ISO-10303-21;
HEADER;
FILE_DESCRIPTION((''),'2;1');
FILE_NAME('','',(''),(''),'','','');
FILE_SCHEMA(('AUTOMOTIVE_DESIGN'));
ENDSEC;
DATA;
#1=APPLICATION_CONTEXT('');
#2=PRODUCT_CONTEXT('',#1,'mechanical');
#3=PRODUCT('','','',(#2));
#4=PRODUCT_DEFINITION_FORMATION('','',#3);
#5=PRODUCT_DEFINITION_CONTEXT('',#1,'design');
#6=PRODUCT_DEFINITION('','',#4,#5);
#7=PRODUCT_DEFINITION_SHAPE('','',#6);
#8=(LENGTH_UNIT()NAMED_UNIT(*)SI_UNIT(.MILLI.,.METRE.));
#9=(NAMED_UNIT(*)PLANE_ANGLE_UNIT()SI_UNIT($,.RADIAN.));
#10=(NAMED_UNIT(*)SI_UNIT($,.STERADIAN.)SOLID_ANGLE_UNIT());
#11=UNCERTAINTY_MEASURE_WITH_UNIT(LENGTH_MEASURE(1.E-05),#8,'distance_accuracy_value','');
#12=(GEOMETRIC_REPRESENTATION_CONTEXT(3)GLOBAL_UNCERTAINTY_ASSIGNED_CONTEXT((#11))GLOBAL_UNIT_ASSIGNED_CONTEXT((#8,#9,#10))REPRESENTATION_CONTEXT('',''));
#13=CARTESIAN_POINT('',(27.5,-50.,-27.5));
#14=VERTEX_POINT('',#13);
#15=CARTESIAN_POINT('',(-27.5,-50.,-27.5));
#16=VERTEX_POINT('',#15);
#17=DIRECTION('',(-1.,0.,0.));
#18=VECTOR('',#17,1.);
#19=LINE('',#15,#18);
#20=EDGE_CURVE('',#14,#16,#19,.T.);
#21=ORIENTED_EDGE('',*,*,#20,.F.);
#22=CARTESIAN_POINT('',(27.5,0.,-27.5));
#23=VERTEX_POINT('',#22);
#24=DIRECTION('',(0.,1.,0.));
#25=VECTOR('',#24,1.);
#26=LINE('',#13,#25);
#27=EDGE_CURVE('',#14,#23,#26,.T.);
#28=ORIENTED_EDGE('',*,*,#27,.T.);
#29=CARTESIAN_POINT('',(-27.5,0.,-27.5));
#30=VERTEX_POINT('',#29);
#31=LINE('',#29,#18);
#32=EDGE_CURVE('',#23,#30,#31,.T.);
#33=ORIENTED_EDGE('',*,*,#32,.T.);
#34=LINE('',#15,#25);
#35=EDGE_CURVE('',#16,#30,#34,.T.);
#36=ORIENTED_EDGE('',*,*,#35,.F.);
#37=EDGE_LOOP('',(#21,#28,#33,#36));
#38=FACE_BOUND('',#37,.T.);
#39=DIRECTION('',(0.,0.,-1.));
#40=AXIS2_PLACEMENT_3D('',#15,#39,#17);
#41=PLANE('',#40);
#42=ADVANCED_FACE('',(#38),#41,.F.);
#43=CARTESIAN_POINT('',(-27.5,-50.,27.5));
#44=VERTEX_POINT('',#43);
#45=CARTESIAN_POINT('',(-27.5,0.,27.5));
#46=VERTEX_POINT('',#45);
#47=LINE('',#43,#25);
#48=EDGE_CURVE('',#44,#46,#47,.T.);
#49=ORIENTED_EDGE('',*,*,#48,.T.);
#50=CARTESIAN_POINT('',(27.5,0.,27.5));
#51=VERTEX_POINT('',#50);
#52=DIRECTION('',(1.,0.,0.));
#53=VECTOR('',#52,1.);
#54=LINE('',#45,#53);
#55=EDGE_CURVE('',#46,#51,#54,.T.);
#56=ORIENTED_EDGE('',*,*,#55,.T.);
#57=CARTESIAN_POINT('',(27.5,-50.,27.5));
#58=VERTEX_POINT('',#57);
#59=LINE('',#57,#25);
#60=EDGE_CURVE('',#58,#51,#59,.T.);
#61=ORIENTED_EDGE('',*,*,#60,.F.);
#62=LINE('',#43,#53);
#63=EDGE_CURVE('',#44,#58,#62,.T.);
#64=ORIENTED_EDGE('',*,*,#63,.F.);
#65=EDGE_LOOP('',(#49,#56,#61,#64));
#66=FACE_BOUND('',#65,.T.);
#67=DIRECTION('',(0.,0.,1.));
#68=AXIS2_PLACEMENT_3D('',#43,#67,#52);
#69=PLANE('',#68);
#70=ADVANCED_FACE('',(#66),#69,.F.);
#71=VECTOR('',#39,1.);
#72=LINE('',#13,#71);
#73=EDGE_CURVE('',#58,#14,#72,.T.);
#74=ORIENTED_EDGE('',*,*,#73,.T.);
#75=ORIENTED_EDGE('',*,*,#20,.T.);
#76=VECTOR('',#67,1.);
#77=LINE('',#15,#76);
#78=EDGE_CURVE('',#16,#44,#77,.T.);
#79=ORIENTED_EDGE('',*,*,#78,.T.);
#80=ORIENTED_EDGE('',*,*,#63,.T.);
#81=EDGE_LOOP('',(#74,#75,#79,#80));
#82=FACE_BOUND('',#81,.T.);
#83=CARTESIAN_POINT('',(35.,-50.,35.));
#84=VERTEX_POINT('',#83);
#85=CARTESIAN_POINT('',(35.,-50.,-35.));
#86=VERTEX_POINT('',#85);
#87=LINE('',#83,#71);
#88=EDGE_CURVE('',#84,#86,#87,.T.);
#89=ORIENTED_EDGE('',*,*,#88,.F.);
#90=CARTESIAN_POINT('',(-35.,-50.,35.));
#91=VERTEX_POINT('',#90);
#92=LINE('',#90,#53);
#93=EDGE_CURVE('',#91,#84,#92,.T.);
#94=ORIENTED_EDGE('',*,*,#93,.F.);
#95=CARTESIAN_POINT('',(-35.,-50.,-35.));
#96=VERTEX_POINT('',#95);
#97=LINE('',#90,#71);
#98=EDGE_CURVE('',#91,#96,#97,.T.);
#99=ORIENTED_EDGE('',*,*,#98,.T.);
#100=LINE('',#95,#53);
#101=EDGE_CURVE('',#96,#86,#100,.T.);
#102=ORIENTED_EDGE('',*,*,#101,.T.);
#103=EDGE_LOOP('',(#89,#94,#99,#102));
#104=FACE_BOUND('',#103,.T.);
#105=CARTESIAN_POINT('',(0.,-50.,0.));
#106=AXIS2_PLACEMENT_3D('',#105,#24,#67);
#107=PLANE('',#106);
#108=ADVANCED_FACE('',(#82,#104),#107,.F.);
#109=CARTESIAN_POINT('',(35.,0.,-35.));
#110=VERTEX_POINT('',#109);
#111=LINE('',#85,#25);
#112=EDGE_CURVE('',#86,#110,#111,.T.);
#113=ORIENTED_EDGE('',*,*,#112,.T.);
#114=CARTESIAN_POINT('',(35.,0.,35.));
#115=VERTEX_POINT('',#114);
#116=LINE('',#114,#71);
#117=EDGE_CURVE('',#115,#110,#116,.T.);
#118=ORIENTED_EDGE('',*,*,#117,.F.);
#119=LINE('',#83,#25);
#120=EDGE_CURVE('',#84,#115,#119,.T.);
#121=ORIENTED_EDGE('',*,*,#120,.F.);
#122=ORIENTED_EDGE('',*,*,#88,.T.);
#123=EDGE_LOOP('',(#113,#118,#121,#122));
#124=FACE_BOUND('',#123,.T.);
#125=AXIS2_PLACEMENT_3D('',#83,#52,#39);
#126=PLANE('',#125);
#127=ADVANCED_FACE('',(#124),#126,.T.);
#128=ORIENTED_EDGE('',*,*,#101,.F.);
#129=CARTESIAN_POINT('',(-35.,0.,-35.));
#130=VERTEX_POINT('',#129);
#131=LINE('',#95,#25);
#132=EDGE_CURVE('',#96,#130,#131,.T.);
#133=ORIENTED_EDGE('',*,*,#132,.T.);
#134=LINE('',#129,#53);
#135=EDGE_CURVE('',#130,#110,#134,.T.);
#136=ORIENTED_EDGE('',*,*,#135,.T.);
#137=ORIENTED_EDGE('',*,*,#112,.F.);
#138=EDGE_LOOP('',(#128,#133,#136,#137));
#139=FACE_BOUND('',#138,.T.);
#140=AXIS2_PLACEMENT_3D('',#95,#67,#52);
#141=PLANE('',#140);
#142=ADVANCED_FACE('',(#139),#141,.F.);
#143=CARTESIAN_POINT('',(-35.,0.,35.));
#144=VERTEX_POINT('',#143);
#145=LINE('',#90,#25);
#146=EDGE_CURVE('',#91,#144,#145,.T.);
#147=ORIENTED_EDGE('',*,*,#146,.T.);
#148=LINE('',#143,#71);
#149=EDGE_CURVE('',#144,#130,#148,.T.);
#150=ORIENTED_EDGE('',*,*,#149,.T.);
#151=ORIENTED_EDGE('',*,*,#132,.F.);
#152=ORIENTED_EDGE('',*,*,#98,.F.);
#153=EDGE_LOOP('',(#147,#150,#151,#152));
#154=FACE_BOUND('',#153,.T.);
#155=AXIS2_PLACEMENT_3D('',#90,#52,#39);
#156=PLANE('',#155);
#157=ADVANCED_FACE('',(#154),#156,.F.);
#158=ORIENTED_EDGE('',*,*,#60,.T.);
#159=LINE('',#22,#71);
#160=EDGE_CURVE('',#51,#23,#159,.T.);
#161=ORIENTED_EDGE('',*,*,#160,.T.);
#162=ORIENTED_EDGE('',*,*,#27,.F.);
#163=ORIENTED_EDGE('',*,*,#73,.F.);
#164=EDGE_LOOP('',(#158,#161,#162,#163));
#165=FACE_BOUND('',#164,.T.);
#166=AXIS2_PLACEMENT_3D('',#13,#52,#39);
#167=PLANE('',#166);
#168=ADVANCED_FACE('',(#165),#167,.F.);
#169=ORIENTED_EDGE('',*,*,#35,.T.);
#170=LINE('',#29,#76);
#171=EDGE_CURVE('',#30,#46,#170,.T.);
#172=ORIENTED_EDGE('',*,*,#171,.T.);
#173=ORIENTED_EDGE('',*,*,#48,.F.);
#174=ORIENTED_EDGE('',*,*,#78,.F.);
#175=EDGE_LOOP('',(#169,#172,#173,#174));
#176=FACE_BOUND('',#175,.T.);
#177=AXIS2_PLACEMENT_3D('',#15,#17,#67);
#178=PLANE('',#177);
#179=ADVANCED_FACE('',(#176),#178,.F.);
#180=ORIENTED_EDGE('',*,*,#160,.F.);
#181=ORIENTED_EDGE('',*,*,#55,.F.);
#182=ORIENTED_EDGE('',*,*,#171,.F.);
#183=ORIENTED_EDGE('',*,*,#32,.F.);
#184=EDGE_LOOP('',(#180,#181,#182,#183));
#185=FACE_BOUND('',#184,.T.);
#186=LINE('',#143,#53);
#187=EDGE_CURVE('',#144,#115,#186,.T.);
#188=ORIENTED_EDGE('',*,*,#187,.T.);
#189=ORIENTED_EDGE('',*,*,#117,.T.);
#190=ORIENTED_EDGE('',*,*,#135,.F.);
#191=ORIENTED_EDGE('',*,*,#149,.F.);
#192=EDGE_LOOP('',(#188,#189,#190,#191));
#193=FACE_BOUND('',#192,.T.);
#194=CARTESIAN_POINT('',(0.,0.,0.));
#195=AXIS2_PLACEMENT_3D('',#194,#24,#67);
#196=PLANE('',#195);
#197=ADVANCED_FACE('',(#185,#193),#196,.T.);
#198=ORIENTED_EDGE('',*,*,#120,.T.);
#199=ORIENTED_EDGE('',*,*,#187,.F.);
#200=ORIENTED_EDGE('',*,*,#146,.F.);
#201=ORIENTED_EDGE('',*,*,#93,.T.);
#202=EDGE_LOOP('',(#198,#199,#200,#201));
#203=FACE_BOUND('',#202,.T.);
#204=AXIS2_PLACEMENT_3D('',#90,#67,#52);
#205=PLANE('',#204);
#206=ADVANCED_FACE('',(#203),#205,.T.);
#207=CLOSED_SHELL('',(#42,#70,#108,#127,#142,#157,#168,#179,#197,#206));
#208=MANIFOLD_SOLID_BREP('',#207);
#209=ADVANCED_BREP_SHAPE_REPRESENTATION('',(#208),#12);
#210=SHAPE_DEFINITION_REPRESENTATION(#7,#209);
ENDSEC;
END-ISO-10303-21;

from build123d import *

# Parameters (mm, degrees)
SKETCH_1_W          = 70
SKETCH_1_H          = 70
EXTRUDE_1_DEPTH     = 50
SKETCH_2_W          = 55
SKETCH_2_H          = 55
CUT_EXTRUDE_1_DEPTH = 50


with BuildPart() as part:
    # 草图1 → 凸台-拉伸1 (new body)
    with BuildSketch(Plane(origin=(0, 0, 0), x_dir=(1, 0, 0), z_dir=(0, 1, 0))):
        Rectangle(SKETCH_1_W, SKETCH_1_H)
    extrude(amount=-EXTRUDE_1_DEPTH)

    # 草图2 → 切除-拉伸1 (cut)
    with BuildSketch(Plane(origin=(0, 0, 0), x_dir=(1, 0, 0), z_dir=(0, 1, 0))):
        Rectangle(SKETCH_2_W, SKETCH_2_H)
    extrude(amount=-CUT_EXTRUDE_1_DEPTH, mode=Mode.SUBTRACT)


solid = part.part
